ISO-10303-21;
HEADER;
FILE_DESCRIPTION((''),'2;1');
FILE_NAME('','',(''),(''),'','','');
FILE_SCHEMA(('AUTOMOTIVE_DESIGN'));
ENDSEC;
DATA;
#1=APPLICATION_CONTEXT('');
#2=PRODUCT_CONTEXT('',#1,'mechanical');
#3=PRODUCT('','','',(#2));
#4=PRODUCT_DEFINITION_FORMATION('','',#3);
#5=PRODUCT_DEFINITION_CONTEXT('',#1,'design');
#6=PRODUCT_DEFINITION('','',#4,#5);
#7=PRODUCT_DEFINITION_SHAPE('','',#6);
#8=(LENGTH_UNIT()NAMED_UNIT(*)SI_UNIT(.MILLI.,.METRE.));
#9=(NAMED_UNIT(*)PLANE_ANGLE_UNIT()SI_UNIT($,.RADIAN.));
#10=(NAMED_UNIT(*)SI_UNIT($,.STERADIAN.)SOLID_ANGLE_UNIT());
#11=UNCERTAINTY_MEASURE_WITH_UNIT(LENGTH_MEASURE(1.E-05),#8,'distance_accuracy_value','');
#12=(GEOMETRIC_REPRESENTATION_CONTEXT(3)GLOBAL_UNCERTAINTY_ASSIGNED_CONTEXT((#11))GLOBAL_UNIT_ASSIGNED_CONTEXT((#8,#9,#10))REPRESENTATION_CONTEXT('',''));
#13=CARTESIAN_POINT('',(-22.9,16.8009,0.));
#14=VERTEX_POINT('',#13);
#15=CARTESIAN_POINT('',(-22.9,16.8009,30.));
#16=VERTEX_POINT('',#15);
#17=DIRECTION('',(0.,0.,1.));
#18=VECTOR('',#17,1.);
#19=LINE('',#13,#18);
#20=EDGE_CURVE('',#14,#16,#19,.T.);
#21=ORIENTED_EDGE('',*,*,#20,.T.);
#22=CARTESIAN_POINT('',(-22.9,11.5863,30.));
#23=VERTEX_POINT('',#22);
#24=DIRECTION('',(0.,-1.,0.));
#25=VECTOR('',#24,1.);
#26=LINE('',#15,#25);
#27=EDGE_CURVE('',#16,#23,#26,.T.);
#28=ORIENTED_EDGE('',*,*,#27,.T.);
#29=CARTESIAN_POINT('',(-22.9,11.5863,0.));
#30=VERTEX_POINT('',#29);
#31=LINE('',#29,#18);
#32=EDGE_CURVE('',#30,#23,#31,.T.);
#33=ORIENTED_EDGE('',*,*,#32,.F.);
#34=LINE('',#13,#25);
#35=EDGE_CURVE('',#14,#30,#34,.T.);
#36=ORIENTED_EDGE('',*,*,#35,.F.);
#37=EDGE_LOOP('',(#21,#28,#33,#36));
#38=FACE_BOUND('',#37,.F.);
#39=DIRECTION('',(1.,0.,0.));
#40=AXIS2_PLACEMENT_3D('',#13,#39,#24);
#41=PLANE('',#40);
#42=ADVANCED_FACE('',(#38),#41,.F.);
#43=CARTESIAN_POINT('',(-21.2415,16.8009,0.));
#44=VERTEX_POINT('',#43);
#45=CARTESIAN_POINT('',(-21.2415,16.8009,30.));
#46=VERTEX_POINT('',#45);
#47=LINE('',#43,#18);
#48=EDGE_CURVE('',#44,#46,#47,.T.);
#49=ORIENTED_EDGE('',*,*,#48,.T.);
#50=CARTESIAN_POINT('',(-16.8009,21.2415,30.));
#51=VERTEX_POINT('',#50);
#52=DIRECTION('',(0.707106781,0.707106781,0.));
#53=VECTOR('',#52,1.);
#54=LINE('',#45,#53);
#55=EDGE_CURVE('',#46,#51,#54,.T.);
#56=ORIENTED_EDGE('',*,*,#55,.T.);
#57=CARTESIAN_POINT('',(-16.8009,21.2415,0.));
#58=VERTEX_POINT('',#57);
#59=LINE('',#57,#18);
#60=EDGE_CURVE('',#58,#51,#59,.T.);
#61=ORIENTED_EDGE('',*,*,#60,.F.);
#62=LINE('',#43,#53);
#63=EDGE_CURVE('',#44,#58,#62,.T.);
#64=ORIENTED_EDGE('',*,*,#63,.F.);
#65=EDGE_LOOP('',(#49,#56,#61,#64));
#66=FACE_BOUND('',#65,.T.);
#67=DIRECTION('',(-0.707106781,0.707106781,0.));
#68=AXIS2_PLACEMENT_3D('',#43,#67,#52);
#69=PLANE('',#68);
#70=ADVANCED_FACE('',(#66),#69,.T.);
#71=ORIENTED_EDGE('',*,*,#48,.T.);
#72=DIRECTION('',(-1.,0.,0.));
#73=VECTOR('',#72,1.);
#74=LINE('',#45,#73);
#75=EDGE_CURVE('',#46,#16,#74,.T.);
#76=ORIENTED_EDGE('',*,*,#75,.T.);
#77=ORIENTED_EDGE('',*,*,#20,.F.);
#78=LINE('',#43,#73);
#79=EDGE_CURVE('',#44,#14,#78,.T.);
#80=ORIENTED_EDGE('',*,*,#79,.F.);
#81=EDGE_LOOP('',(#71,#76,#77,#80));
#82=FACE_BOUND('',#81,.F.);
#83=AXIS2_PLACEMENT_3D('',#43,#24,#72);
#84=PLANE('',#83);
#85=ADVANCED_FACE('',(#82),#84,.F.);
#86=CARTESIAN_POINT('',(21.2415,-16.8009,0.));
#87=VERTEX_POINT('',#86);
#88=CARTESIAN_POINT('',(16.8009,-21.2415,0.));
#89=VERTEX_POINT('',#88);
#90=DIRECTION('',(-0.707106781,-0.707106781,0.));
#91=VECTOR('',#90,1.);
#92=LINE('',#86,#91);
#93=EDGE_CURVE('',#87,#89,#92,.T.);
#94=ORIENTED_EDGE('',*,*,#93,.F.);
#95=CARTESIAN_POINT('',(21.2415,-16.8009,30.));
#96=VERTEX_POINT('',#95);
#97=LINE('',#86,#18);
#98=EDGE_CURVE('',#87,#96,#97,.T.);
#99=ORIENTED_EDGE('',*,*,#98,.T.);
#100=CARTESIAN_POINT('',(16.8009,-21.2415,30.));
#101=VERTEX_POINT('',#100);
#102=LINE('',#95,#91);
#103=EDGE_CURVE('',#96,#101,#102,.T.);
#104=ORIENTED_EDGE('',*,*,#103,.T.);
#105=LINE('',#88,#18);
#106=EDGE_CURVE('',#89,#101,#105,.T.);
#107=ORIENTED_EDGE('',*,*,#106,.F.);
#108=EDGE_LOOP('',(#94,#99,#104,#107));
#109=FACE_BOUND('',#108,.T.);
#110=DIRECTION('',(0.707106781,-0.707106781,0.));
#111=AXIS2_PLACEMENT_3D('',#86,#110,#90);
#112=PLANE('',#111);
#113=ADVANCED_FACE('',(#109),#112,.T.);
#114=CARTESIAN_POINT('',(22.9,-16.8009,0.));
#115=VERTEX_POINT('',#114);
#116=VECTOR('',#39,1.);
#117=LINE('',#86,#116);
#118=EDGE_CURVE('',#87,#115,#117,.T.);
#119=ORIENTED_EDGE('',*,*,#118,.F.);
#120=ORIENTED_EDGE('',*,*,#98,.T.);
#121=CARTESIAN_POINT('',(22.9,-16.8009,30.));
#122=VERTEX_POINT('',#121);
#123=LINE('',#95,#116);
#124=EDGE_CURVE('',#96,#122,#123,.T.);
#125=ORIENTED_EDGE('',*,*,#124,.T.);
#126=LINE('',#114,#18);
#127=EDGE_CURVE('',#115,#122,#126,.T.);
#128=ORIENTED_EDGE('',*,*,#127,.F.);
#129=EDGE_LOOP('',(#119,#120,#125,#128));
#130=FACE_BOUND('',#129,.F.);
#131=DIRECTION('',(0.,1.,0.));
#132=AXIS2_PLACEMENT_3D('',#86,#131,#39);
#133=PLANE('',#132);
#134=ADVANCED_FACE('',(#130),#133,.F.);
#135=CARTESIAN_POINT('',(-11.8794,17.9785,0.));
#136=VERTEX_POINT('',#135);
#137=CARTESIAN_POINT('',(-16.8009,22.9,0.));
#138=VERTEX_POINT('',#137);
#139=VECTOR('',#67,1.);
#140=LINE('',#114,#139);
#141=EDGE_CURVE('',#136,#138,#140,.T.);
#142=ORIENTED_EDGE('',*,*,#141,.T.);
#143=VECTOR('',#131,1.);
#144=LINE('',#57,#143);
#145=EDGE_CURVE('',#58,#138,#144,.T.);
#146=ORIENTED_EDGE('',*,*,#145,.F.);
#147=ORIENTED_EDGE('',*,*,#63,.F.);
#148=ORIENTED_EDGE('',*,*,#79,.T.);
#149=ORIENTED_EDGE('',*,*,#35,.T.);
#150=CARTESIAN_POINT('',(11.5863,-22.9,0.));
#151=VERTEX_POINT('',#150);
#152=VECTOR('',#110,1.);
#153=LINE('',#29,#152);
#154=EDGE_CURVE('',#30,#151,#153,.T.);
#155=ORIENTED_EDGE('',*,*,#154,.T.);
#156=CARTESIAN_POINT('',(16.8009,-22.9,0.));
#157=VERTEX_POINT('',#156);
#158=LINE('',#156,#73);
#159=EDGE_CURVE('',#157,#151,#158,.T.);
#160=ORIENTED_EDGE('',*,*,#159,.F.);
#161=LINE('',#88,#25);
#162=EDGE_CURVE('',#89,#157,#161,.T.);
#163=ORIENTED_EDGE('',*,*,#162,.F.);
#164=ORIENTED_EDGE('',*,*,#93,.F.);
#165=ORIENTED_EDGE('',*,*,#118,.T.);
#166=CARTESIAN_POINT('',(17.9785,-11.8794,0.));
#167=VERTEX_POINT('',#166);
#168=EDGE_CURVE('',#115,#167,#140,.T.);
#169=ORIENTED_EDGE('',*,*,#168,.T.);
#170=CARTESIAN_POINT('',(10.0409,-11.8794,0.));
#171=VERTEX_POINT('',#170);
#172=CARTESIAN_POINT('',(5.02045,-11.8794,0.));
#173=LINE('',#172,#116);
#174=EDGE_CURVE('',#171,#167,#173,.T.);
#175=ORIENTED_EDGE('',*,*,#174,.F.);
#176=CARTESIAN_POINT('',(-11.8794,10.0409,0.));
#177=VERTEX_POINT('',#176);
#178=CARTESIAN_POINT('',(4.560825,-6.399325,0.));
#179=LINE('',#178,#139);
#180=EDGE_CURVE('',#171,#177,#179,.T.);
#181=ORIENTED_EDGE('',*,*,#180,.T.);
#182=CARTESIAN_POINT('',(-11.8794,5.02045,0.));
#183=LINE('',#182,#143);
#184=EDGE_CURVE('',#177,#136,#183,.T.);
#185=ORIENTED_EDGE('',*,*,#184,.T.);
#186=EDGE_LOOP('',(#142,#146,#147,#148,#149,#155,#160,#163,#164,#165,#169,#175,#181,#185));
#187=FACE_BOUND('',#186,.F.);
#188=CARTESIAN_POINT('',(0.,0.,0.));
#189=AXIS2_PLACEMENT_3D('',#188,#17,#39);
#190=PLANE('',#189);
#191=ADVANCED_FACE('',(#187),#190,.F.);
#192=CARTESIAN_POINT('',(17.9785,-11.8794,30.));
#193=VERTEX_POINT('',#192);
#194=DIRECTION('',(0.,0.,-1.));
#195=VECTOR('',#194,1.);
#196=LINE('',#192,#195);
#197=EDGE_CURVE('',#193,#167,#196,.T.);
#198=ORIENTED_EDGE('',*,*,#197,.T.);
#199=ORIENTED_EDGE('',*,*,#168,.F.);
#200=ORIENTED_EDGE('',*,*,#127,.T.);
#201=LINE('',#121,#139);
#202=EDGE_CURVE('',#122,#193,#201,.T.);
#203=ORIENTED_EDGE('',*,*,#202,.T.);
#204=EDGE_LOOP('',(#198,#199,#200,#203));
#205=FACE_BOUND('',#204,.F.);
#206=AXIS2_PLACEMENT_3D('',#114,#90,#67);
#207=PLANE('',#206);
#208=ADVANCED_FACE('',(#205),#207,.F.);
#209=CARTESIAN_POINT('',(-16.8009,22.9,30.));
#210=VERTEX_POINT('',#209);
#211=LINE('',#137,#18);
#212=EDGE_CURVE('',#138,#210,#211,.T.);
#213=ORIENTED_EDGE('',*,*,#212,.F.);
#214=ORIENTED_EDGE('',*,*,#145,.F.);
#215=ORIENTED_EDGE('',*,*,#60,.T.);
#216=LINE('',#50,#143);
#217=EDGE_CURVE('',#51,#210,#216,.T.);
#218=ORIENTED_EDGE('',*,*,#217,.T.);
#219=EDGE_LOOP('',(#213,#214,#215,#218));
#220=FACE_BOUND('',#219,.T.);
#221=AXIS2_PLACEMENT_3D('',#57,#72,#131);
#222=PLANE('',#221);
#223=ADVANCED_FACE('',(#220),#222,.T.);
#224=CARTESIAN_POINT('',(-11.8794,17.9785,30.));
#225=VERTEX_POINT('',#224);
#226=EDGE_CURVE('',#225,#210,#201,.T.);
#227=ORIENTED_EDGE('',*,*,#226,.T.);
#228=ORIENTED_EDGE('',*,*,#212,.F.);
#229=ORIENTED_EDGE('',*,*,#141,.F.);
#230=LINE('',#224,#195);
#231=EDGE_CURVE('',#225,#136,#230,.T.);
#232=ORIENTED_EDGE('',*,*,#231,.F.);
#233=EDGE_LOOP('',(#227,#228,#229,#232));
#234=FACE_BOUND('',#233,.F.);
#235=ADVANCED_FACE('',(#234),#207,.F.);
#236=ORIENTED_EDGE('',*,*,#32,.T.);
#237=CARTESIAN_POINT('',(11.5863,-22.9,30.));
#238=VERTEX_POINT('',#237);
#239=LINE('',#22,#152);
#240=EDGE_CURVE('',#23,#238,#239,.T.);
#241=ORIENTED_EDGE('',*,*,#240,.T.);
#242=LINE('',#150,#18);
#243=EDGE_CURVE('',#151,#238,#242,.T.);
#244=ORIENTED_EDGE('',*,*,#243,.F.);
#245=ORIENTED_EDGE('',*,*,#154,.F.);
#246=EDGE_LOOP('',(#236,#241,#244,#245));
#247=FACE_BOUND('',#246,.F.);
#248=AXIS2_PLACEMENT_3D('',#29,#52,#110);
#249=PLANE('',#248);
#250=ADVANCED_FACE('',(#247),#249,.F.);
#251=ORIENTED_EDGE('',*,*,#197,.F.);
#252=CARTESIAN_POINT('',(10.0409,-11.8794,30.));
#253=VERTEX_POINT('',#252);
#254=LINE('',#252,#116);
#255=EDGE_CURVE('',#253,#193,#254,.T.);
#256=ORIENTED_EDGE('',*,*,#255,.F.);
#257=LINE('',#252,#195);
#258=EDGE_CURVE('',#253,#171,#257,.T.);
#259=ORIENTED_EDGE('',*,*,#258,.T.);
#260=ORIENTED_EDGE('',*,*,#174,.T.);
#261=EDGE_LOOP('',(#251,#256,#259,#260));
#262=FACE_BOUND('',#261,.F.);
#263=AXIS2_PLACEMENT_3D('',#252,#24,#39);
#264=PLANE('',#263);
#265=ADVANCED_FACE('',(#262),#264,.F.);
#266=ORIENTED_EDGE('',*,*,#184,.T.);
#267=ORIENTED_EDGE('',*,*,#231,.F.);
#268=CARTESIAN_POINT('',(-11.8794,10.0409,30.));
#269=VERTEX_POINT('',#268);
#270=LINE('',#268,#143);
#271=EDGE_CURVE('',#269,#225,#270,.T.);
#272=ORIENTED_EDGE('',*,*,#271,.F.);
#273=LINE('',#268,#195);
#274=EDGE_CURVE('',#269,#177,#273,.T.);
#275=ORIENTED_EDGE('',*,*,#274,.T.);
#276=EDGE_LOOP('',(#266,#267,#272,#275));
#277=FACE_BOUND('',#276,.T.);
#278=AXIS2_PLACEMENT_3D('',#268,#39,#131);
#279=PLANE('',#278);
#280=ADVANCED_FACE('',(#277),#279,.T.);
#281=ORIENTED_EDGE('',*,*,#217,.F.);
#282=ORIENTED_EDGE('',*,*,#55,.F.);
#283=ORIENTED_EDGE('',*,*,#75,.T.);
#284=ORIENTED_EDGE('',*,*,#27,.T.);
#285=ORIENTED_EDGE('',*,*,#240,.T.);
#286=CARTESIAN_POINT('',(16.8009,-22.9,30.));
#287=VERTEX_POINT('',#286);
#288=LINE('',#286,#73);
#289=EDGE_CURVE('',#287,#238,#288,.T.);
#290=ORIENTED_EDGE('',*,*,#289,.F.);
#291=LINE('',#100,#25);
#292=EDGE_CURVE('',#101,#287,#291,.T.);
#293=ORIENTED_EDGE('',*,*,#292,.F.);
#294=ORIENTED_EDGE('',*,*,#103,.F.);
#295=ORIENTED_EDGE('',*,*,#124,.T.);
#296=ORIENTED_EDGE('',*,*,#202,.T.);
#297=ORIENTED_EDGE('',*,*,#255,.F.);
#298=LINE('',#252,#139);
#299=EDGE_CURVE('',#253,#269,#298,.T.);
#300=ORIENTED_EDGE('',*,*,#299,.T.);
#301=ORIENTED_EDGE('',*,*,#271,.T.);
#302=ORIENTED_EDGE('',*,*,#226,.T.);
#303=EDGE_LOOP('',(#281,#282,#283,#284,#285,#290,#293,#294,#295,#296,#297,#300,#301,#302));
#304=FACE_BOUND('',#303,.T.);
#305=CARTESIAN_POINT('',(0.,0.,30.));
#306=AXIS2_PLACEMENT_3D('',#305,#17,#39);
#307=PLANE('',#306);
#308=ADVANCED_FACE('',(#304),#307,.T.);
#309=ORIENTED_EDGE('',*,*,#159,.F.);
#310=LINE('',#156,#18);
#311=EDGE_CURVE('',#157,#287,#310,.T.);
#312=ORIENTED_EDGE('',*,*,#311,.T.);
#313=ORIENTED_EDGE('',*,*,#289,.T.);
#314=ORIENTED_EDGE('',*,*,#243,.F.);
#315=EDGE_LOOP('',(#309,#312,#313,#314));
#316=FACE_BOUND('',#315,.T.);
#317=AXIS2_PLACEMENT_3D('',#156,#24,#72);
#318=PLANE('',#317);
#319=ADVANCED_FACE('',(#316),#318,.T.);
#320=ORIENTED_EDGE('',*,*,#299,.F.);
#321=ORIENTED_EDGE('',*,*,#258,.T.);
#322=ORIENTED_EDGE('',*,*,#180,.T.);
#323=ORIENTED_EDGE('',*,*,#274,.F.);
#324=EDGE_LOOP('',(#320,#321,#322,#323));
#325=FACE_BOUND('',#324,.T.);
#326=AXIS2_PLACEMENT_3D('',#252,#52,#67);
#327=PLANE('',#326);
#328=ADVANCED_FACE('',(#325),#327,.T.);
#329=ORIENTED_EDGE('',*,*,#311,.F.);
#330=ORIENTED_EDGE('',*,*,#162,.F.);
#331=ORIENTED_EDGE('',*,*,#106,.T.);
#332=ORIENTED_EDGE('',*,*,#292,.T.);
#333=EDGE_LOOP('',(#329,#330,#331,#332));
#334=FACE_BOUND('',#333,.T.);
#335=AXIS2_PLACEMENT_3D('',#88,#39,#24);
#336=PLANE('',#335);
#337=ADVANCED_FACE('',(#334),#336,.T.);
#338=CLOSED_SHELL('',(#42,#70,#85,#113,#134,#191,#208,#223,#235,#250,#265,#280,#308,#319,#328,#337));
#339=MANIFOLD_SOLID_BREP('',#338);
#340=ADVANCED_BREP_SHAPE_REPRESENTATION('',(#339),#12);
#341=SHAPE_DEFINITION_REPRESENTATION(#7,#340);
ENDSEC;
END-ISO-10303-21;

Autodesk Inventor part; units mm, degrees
ref_plane "YZ Plane" through (0, 0, 0) normal (1, 0, 0) x (0, 1, 0)
ref_plane "XZ Plane" through (0, 0, 0) normal (0, 1, 0) x (-1, 0, 0)
ref_plane "XY Plane" through (0, 0, 0) normal (0, 0, 1) x (1, 0, 0)
sketch "Sketch1" plane through (0, 0, 0) normal (0, 0, 1) x (1, 0, 0)
  line L0 (-16.9, 21.4) -> (-16.9, 16.9) construction
  arc A0 (-22.9, 19.9) -> (-19.9, 22.9) centre (-19.9, 19.9) ccw construction
  line L1 (-16.9, 16.9) -> (16.9, 16.9) construction
  line L2 (16.9, 16.9) -> (16.9, -16.9) construction
  line L3 (16.9, -16.9) -> (-16.9, -16.9) construction
  line L4 (-16.9, -16.9) -> (-16.9, 16.9) construction
  arc A1 (22.9, -19.9) -> (19.9, -22.9) centre (19.9, -19.9) ccw construction
  line L5 (22.9, 19.9) -> (22.9, -19.9) construction
  arc A2 (19.9, 22.9) -> (22.9, 19.9) centre (19.9, 19.9) ccw construction
  line L6 (-19.9, 22.9) -> (19.9, 22.9) construction
  arc A3 (-22.9, 19.9) -> (-19.9, 22.9) centre (-19.9, 19.9) ccw construction
  line L7 (-22.9, -19.9) -> (-22.9, 19.9) construction
  arc A4 (-19.9, -22.9) -> (-22.9, -19.9) centre (-19.9, -19.9) ccw construction
  line L8 (19.9, -22.9) -> (-19.9, -22.9) construction
  line L9 (-21.4, 16.9) -> (-16.9, 16.9) construction
  line L10 (-16.9, -16.9) -> (-21.4, -16.9) construction
  line L11 (-16.9, -16.9) -> (-16.9, -21.4) construction
  line L12 (16.9, -21.4) -> (16.9, -16.9) construction
  line L13 (21.4, -16.9) -> (16.9, -16.9) construction
  line L14 (16.9, 16.9) -> (21.4, 16.9) construction
  line L15 (16.9, 16.9) -> (16.9, 21.4) construction
  line L16 (-16.8009, 21.2415) -> (21.2415, -16.8009)
  line L17 (21.2415, -16.8009) -> (16.8009, -21.2415)
  line L18 (16.8009, -21.2415) -> (-21.2415, 16.8009)
  line L19 (-21.2415, 16.8009) -> (-16.8009, 21.2415)
  line L20 (-16.8009, 21.2415) -> (16.8009, -21.2415) construction
  line L21 (21.2415, -16.8009) -> (-21.2415, 16.8009) construction
  line L22 (-16.8009, 21.2415) -> (36.9991, 21.2415) construction
  line L23 (-21.2415, 16.8009) -> (-22.9, 16.8009)
  line L24 (16.8009, -21.2415) -> (16.8009, -22.9)
  line L25 (16.8009, -22.9) -> (-22.9, 16.8009)
  line L26 (-16.8009, 21.2415) -> (-16.8009, 22.9)
  line L27 (21.2415, -16.8009) -> (22.9, -16.8009)
  line L28 (22.9, -16.8009) -> (-16.8009, 22.9)
  line L29 (-22.9, 16.8009) -> (-22.9, 11.5863)
  line L30 (16.8009, -22.9) -> (11.5863, -22.9)
  line L31 (-22.9, 11.5863) -> (11.5863, -22.9)
  point P0 (0, 0)
  dimension "d0" = 53.8
  dimension "d1" = 45
  dimension "d2" = 6.28
  dimension "d5" = 8
extrude "Extrusion1" add sketch "Sketch1" along normal blind 30
ref_plane "Work Plane1" through (16.9, -16.9, -8) normal (-0.7071, -0.7071, 0) x (0, 0, 1)
sketch "Sketch7" plane through (0, 0, 30) normal (0, 0, 1) x (1, 0, 0)
  line L0 (21.2415, -16.8009) -> (22.9, -16.8009) projected
  line L1 (22.9, -16.8009) -> (-16.8009, 22.9) projected
  line L2 (-16.8009, 22.9) -> (-16.8009, 21.2415) projected
  line L3 (-16.8009, 21.2415) -> (-21.2415, 16.8009) projected
  line L4 (-21.2415, 16.8009) -> (-22.9, 16.8009) projected
  line L5 (-22.9, 16.8009) -> (-22.9, 11.5863) projected
  line L6 (-22.9, 11.5863) -> (11.5863, -22.9) projected
  line L7 (11.5863, -22.9) -> (16.8009, -22.9) projected
  line L8 (16.8009, -22.9) -> (16.8009, -21.2415) projected
  line L9 (16.8009, -21.2415) -> (21.2415, -16.8009) projected
  line L10 (3.0496, 3.0496) -> (-5.6569, -5.6569)
  line L11 (-22.9, 11.5863) -> (11.5863, -22.9) projected
  line L12 (17.9785, -3.9418) -> (10.0409, -11.8794)
  line L13 (10.0409, -11.8794) -> (-11.8794, 10.0409)
  line L14 (-11.8794, 10.0409) -> (-3.9418, 17.9785)
  line L15 (-3.9418, 17.9785) -> (17.9785, -3.9418)
  line L16 (17.9785, -3.9418) -> (-11.8794, 10.0409) construction
  line L17 (10.0409, -11.8794) -> (-3.9418, 17.9785) construction
  line L18 (-11.8794, 10.0409) -> (-11.8794, 17.9785)
  line L19 (22.9, -16.8009) -> (-16.8009, 22.9) projected
  line L20 (10.0409, -11.8794) -> (17.9785, -11.8794)
  point P0 (0, 0)
  dimension "d28" = 31
  dimension "d29" = 1.3
extrude "Extrusion7" cut sketch "Sketch7" against normal through all contours L20 L12 L1 | L12 L13 L10 L1 | L1 L14 L15 L12 | L10 L13 L14 L1 | L14 L18 L1
equation "\"d3\" = MirrorThickness1"
equation "\"MirrorThickness1\" = 30"
properties part number "20_Cube_Insert_Mirror_Holder_30x30Mirror_v2"
